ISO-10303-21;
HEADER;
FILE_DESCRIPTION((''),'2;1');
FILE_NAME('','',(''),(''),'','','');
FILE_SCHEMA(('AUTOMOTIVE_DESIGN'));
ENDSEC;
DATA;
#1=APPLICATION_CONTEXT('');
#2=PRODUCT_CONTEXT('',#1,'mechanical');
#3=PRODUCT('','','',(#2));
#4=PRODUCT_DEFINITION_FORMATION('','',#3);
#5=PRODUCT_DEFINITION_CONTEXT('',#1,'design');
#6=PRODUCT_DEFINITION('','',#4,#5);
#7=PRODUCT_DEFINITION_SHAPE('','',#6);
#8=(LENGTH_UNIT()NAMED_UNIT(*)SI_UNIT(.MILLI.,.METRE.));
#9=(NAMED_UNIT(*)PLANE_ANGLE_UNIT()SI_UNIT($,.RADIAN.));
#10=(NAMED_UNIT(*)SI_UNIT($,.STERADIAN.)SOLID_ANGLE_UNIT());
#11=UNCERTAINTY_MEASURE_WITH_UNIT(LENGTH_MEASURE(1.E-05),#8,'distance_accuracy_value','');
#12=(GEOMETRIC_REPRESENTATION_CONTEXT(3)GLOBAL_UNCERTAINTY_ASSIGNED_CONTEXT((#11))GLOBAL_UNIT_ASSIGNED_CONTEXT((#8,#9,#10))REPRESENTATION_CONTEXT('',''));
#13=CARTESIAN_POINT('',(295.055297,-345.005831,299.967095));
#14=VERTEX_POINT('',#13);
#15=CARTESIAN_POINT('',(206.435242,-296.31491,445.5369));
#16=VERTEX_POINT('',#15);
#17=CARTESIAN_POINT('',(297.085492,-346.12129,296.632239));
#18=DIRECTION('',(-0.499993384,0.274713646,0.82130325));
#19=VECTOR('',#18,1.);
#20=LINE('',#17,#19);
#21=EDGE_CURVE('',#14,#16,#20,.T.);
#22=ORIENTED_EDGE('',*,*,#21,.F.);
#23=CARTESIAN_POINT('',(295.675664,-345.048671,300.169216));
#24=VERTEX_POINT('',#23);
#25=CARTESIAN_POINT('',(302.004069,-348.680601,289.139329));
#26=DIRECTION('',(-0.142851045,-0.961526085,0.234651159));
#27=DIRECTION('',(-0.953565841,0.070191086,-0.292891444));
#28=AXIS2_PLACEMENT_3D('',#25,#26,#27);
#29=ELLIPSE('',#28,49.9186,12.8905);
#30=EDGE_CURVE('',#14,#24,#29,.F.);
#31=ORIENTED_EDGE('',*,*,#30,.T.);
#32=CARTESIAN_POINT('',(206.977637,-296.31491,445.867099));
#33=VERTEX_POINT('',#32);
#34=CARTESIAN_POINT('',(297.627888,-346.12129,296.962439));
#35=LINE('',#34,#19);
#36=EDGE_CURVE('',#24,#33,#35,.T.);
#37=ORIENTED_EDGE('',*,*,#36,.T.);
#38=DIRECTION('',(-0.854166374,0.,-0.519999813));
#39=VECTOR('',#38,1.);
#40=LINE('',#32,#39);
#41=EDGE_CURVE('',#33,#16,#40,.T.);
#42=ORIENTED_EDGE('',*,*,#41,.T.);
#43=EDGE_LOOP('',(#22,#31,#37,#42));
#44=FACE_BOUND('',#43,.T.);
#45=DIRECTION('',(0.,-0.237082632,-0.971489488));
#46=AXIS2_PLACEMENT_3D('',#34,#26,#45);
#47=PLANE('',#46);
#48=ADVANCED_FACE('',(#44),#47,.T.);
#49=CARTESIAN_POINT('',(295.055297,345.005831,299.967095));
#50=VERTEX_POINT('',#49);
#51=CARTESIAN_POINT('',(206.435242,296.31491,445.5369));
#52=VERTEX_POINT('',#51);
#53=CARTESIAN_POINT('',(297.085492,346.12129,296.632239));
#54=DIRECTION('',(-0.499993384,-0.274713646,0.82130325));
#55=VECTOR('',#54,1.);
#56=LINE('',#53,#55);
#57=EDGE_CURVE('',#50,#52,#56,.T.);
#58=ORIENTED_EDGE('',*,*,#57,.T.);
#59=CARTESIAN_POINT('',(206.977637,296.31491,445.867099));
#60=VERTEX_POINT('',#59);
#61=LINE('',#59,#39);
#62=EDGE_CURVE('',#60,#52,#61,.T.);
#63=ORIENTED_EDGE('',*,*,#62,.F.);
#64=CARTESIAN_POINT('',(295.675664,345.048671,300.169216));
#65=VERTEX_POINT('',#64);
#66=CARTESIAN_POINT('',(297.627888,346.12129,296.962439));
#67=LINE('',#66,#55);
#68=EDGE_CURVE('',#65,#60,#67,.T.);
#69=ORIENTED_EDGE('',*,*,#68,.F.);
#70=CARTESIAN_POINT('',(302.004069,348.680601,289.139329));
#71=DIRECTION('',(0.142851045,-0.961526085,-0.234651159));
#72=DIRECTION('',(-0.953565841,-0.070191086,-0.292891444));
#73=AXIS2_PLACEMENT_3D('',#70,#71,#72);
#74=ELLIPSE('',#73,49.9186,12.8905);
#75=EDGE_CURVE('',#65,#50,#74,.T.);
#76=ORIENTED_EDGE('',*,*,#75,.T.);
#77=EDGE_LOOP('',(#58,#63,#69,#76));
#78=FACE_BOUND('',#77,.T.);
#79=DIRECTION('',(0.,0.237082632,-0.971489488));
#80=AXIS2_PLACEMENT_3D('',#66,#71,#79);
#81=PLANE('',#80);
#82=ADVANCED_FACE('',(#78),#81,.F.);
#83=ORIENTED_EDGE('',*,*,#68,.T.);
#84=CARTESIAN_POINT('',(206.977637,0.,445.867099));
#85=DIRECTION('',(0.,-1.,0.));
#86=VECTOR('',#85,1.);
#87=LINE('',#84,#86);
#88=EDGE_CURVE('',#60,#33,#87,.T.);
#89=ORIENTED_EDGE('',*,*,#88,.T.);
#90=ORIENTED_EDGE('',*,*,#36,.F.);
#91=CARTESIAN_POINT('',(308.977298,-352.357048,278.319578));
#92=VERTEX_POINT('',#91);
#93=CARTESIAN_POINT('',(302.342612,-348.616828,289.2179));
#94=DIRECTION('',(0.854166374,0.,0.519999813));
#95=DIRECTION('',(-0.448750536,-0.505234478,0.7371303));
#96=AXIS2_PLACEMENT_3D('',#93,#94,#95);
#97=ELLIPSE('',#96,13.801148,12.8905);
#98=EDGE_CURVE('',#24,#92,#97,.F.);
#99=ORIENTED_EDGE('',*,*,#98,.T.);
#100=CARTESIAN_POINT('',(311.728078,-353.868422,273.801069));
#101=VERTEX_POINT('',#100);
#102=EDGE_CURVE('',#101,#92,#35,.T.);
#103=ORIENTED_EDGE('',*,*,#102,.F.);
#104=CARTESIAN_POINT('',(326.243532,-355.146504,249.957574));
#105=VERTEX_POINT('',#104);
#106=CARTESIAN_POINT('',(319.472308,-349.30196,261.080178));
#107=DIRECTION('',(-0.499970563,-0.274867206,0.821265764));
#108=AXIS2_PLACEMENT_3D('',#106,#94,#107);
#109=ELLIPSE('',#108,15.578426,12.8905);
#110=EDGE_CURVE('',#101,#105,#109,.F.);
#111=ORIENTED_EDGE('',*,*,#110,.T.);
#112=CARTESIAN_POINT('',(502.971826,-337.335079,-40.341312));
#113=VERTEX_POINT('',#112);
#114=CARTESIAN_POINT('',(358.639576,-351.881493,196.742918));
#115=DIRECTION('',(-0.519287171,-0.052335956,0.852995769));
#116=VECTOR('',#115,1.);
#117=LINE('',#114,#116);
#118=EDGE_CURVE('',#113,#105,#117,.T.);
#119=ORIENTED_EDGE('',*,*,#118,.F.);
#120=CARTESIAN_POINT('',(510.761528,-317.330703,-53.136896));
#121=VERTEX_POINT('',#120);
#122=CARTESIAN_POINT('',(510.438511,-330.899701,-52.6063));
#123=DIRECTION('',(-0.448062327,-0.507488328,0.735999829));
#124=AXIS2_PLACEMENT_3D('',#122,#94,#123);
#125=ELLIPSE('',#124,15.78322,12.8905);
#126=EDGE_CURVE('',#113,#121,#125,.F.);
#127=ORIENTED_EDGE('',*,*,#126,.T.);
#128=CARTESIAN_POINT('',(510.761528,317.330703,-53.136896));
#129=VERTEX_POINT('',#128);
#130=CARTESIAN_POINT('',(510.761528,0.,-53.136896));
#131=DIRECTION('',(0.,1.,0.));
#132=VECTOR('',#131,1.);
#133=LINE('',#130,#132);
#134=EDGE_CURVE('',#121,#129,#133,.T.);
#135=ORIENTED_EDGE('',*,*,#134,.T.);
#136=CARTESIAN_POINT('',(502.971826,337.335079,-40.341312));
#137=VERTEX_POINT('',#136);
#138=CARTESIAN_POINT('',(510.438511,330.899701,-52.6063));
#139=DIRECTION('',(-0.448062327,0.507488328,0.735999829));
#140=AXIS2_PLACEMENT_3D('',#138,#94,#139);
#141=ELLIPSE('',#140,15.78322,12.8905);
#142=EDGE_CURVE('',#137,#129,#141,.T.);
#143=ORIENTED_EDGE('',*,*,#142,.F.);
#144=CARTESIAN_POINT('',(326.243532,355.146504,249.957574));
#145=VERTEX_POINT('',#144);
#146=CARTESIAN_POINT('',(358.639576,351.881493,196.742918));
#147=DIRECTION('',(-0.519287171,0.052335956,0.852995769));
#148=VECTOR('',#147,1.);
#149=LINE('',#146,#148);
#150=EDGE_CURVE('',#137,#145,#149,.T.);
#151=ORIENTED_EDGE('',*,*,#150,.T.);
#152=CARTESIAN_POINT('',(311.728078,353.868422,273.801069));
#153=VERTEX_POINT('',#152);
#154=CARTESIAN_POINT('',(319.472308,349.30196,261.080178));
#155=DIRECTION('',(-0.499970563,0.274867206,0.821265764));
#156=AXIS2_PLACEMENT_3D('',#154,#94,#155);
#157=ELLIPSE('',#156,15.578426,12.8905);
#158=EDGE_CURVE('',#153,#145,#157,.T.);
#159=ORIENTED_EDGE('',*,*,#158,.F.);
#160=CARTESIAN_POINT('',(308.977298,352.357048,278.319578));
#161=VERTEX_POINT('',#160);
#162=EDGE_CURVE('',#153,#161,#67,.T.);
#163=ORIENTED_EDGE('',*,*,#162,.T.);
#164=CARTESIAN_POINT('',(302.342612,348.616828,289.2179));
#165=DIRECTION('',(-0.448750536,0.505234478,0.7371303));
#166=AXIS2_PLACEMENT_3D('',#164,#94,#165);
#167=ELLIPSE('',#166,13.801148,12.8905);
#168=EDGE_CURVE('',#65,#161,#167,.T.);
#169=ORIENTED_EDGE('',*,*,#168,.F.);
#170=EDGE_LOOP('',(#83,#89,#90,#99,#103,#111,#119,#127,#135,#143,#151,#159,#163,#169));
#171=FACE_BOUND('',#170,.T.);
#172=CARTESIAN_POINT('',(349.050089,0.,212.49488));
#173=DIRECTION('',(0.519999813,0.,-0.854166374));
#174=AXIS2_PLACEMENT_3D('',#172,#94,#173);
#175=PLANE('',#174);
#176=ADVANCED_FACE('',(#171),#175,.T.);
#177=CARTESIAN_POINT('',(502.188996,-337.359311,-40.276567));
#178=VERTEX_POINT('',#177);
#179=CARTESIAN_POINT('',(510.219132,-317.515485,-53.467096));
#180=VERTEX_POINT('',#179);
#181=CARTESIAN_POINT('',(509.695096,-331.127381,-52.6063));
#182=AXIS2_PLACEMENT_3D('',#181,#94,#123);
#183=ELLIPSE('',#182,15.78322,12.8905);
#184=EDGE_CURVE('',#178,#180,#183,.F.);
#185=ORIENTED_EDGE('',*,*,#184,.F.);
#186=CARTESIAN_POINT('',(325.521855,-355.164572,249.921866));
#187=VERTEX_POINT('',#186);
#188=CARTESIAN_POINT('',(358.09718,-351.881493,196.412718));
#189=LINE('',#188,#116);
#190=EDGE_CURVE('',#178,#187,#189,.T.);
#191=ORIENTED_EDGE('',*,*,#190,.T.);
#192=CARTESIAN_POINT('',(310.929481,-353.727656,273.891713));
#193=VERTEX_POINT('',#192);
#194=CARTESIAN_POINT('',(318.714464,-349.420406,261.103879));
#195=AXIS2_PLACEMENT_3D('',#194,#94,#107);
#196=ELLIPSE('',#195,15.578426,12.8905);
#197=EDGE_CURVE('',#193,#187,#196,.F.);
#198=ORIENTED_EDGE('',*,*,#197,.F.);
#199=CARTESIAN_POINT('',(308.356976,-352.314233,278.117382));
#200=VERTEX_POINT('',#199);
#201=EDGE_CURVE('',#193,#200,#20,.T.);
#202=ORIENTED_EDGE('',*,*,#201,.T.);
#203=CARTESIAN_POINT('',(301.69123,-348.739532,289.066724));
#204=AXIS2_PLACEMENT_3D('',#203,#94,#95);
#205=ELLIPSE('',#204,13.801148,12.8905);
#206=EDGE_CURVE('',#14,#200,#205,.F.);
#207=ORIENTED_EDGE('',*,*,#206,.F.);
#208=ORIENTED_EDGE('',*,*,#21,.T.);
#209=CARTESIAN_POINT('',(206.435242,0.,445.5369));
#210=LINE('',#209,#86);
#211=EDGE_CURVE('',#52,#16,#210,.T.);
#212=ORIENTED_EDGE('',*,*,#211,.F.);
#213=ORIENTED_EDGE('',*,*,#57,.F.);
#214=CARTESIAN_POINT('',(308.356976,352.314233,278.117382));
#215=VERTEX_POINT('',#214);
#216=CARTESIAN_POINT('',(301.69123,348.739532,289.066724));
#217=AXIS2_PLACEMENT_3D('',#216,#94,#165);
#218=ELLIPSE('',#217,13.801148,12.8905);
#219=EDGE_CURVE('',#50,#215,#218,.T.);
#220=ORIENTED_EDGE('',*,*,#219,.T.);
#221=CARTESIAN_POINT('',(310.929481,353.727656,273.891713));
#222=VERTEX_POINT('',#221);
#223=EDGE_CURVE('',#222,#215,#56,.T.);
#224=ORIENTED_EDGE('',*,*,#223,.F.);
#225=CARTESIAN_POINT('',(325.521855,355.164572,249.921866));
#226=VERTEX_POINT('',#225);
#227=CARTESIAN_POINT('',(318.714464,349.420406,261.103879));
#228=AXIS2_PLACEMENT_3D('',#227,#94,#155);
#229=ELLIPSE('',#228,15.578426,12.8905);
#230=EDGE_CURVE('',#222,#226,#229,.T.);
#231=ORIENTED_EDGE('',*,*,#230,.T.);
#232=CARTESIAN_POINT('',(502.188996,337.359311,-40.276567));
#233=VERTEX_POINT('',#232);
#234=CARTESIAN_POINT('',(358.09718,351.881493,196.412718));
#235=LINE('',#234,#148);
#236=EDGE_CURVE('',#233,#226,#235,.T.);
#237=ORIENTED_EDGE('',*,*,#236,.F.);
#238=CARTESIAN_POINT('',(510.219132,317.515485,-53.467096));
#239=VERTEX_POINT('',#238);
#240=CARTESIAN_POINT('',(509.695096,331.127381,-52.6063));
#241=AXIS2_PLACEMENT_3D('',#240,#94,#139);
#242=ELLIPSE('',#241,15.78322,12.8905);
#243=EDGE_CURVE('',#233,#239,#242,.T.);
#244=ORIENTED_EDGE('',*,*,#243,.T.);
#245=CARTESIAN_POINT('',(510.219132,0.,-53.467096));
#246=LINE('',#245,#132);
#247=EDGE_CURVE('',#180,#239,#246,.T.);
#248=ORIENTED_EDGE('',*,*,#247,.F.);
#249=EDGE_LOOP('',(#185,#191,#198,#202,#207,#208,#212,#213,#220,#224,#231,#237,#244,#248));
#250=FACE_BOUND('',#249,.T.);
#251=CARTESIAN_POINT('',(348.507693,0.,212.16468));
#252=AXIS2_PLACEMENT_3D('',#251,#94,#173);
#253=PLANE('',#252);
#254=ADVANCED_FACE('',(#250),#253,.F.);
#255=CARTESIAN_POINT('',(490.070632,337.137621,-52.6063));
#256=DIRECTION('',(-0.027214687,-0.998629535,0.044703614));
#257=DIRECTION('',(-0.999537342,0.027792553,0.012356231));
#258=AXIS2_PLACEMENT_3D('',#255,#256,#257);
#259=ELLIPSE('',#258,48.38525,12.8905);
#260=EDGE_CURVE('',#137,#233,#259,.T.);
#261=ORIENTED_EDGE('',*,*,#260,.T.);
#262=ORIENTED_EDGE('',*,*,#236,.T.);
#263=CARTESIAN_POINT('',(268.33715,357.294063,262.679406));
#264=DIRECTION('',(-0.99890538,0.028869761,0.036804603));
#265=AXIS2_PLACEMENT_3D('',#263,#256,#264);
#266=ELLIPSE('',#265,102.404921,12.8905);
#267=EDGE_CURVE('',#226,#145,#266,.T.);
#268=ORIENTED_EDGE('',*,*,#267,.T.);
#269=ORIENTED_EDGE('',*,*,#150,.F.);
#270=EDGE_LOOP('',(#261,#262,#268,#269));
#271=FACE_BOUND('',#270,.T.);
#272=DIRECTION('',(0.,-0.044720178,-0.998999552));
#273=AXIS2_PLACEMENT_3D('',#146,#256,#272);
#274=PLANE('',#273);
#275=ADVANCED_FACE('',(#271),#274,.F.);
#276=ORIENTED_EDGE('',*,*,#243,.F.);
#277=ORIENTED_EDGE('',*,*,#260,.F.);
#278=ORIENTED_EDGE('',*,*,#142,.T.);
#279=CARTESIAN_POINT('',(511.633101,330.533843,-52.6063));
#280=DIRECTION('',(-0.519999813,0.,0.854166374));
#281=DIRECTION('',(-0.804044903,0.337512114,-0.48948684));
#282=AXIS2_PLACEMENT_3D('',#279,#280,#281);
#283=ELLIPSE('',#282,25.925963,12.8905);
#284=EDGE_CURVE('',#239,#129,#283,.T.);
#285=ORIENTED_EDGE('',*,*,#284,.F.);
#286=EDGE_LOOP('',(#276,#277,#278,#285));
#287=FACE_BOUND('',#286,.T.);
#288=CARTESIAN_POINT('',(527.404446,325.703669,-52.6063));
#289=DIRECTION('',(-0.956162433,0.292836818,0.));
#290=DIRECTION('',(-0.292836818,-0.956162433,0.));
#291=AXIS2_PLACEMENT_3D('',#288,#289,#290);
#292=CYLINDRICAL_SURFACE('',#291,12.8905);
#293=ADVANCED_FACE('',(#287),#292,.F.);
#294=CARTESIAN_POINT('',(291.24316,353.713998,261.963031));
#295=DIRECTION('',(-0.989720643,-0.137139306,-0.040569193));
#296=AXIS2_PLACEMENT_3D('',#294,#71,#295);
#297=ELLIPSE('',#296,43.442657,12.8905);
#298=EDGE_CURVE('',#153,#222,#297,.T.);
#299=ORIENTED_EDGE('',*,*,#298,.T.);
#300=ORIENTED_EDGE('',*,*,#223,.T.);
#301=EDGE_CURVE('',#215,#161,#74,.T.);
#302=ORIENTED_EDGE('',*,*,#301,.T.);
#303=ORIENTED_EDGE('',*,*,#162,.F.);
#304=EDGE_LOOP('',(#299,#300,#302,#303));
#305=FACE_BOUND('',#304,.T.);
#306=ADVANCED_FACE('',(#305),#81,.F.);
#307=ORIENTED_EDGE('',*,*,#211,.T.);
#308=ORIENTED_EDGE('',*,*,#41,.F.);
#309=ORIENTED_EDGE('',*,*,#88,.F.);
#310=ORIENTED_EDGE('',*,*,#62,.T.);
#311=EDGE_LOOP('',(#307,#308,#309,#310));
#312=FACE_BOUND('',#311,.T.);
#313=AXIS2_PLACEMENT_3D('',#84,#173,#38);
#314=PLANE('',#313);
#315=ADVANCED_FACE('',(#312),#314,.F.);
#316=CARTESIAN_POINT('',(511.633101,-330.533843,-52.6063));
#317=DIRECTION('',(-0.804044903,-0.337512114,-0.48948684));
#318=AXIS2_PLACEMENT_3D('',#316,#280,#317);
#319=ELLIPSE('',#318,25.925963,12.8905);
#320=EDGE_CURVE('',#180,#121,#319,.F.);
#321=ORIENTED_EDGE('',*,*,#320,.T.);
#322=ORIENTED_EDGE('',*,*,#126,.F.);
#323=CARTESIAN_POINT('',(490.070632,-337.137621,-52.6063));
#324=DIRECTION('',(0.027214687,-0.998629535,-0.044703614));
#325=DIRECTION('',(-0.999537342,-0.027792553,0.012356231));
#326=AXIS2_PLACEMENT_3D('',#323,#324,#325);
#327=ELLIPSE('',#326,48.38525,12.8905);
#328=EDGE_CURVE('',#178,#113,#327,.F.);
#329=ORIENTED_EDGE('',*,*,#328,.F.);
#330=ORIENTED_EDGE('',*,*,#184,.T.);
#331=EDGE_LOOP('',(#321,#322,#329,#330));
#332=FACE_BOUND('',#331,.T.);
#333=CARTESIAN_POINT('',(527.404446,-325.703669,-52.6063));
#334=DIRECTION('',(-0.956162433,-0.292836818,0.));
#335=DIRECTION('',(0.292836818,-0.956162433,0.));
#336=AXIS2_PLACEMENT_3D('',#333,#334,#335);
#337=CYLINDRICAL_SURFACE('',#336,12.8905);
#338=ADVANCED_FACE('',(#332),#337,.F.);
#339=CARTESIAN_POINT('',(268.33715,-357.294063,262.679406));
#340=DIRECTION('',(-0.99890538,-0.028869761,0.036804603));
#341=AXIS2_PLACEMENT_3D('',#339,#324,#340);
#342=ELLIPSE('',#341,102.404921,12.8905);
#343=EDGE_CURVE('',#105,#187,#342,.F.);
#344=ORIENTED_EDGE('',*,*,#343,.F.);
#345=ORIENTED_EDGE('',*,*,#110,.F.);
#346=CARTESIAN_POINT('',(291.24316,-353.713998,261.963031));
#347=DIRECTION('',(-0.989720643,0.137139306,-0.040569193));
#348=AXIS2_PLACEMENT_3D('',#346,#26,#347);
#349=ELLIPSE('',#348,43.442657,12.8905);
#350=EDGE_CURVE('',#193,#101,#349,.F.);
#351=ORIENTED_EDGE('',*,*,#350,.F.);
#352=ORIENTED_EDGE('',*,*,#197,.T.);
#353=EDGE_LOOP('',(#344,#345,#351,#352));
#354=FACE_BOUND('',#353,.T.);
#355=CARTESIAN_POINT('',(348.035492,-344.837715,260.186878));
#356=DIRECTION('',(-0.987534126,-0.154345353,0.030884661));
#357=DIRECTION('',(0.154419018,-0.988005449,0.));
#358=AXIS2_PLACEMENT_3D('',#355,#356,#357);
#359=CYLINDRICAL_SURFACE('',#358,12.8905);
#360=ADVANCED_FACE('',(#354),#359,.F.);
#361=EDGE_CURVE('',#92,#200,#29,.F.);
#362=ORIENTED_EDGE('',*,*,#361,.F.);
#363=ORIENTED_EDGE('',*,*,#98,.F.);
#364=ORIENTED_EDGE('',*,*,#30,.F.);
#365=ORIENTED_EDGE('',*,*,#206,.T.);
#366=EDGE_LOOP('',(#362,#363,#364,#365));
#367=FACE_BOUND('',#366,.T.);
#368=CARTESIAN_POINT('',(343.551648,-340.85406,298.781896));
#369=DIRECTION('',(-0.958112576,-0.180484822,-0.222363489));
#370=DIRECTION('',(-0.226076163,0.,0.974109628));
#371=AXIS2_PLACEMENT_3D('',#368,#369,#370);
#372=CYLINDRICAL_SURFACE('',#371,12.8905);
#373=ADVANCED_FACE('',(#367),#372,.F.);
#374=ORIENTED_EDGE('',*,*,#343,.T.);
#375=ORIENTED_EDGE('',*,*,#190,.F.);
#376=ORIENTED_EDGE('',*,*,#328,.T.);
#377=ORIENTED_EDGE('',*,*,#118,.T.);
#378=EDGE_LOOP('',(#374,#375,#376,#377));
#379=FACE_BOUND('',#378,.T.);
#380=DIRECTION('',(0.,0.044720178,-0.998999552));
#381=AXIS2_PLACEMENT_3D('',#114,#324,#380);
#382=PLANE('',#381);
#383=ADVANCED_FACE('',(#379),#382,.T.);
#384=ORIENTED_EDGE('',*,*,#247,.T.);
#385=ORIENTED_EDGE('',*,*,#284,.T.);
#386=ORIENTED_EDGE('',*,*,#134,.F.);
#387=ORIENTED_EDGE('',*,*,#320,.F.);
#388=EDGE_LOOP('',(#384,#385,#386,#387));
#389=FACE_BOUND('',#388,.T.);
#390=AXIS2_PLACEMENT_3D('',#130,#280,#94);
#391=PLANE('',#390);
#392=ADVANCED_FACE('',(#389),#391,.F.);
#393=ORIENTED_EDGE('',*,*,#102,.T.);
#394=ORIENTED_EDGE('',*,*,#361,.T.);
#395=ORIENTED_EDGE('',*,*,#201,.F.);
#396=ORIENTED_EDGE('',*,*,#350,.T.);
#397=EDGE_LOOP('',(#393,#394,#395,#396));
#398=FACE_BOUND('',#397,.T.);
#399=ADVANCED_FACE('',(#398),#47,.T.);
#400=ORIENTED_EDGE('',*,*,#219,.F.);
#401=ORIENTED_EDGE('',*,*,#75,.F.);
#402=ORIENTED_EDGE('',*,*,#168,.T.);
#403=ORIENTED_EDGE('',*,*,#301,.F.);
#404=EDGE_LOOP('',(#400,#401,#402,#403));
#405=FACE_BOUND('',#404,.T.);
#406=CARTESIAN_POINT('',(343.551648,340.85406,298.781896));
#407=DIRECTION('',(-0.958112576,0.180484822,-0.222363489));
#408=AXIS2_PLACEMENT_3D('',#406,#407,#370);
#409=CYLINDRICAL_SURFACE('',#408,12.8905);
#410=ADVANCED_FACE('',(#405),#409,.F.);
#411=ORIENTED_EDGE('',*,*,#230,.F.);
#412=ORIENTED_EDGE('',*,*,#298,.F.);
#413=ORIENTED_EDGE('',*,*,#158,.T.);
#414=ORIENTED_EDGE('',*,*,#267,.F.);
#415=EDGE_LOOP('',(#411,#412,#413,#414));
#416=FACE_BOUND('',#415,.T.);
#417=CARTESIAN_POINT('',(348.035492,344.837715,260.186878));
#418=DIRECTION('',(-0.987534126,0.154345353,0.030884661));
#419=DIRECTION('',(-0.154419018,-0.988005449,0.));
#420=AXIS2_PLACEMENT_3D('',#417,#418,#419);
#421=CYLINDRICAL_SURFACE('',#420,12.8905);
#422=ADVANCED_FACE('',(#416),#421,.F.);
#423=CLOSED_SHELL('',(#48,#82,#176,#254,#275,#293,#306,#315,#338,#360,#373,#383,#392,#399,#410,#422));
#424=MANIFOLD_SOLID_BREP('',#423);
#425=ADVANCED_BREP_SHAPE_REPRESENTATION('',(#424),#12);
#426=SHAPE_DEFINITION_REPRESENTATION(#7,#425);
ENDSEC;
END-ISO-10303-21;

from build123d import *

# Parameters (mm, degrees)
BOSS_EXTRUDE1_DEPTH = 0.3175
SKETCH4_R           = 12.8905
CUT_EXTRUDE1_DEPTH  = 152.4
SKETCH5_R           = 12.8905
CUT_EXTRUDE2_DEPTH  = 152.4
SKETCH6_R           = 12.8905
CUT_EXTRUDE3_DEPTH  = 152.4


with BuildPart() as part:
    # Sketch3 → Boss-Extrude1 (new body, symmetric)
    with BuildSketch(Plane(origin=(348.778890993, 0, 212.329779666), x_dir=(0.519999813, 0, -0.854166374), z_dir=(0.854166374, 0, 0.519999813))):
        Polygon((310.98364901, 0), (310.98364901, 336.55), (-63.66635099, 356.184574508), (-273.21635099, 296.314909512), (-273.21635099, 0), align=None)
        Polygon((310.98364901, -336.55), (310.98364901, 0), (-273.21635099, 0), (-273.21635099, -296.314909512), (-63.66635099, -356.184574508), align=None)
    extrude(amount=BOSS_EXTRUDE1_DEPTH, both=True)

    # Sketch4 → Cut-Extrude1 (cut)
    with BuildSketch(Plane(origin=(381.685291714, 370.332, -52.606299668), x_dir=(0, 0, 1), z_dir=(-0.956162433, 0.292836818, 0))):
        Circle(SKETCH4_R)
    cut_extrude1 = extrude(amount=-CUT_EXTRUDE1_DEPTH, mode=Mode.SUBTRACT)

    # Sketch5 → Cut-Extrude2 (cut)
    with BuildSketch(Plane(origin=(197.535291714, 368.359946538, 264.893700332), x_dir=(0.030514213, -0.004769179, 0.999522955), z_dir=(-0.987534126, 0.154345353, 0.030884661))):
        Circle(SKETCH5_R)
    cut_extrude2 = extrude(amount=-CUT_EXTRUDE2_DEPTH, mode=Mode.SUBTRACT)

    # Sketch6 → Cut-Extrude3 (cut)
    with BuildSketch(Plane(origin=(197.535291714, 368.359946538, 264.893700332), x_dir=(-0.218520162, 0.041163819, 0.974963835), z_dir=(-0.958112576, 0.180484822, -0.222363489))):
        Circle(SKETCH6_R)
    cut_extrude3 = extrude(amount=-CUT_EXTRUDE3_DEPTH, mode=Mode.SUBTRACT)

    # Mirror1: Cut-Extrude1, Cut-Extrude2, Cut-Extrude3 across plane
    add(cut_extrude1.mirror(Plane.ZX), mode=Mode.SUBTRACT)
    add(cut_extrude2.mirror(Plane.ZX), mode=Mode.SUBTRACT)
    add(cut_extrude3.mirror(Plane.ZX), mode=Mode.SUBTRACT)


solid = part.part
